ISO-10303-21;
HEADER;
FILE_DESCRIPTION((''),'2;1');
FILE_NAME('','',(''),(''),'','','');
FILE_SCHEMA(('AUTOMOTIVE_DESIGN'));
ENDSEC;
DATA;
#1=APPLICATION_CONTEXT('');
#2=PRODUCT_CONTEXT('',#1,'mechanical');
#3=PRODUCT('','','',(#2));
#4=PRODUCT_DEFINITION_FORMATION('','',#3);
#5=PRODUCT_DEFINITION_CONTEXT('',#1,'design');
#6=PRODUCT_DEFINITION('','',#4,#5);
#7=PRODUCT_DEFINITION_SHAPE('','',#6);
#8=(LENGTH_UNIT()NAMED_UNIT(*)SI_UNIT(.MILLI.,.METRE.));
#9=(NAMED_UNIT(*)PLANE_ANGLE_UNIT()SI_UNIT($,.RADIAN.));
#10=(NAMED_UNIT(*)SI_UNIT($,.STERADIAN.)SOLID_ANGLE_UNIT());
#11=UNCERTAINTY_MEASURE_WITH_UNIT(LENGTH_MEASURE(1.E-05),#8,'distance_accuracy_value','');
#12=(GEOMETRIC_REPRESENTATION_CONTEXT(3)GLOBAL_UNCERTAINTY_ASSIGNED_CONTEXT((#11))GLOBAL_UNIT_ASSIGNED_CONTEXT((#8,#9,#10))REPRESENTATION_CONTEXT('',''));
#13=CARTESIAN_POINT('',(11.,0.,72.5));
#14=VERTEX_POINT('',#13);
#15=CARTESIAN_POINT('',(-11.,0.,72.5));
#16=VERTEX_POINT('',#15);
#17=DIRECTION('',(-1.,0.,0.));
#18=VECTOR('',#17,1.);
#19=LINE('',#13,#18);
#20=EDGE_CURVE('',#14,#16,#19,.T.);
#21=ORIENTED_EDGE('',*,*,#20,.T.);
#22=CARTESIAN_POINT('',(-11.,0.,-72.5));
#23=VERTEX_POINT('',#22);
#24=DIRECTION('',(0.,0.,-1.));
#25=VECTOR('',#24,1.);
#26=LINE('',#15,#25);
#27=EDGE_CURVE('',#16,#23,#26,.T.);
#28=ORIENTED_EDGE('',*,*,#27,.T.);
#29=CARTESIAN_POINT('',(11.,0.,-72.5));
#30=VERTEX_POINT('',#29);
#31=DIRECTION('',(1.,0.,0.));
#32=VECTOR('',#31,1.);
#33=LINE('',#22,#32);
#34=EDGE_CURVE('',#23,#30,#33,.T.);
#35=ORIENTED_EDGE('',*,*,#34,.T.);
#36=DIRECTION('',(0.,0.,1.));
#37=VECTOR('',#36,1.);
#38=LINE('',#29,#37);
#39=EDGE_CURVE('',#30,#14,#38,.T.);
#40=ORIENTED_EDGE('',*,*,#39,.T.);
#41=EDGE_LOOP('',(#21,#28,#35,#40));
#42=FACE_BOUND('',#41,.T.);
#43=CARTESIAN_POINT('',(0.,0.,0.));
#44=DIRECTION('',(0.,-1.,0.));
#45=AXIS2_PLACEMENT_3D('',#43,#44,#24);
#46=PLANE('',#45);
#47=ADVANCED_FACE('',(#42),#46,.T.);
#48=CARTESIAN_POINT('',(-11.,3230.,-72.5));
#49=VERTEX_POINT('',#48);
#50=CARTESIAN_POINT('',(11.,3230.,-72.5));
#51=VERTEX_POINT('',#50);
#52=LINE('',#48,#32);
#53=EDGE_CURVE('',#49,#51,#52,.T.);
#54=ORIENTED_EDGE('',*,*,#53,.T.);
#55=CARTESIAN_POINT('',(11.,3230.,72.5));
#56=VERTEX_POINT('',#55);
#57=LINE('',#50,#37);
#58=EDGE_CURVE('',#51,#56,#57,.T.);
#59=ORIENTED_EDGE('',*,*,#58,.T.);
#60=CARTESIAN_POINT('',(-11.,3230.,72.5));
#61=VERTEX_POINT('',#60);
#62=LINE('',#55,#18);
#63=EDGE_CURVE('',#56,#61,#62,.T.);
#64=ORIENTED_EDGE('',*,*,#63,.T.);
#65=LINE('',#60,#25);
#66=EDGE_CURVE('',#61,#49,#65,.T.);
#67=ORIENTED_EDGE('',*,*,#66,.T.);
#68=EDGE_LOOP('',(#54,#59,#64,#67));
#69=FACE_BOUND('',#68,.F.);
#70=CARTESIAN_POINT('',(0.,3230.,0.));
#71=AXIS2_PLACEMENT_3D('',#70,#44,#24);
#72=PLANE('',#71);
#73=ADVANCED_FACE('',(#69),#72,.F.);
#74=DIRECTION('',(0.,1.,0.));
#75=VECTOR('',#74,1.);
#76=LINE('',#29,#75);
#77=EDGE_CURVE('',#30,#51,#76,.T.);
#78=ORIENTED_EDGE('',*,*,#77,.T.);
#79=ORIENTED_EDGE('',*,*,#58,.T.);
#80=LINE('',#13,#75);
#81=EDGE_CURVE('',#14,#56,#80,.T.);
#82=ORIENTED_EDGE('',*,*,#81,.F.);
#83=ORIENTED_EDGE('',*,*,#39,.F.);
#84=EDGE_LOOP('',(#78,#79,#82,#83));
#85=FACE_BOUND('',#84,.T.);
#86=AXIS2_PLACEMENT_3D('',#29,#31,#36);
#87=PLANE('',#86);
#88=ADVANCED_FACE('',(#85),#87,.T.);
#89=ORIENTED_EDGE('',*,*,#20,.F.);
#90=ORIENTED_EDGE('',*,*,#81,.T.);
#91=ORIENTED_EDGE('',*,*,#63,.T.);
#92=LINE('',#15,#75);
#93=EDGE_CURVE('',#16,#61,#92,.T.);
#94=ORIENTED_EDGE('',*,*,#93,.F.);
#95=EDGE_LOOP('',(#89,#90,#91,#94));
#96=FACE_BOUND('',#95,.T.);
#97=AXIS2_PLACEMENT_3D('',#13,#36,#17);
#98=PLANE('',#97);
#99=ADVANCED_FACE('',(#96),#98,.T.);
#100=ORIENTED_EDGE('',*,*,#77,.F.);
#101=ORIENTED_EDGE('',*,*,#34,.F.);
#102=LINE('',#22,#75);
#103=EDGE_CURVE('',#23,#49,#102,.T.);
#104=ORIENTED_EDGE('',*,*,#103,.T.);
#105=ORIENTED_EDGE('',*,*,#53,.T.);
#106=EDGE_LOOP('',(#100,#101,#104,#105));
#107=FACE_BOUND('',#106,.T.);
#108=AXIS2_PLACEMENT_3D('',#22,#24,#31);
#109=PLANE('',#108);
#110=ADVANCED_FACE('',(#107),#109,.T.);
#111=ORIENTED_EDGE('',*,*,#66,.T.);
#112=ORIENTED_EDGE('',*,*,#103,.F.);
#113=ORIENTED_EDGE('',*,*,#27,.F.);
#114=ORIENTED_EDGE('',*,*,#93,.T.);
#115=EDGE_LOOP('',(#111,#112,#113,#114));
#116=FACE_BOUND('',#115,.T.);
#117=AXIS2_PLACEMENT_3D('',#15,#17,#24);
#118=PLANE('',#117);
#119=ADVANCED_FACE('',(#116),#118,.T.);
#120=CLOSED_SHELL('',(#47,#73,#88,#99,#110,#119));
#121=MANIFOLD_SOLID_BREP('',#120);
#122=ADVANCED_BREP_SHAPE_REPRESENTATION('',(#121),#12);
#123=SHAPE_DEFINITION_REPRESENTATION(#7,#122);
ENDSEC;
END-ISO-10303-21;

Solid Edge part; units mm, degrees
sketch "Sketch1" plane through (0, 0, 0) normal (0, -1, 0) x (1, 0, 0)
  line L0 (-11, -72.5) -> (11, -72.5)
  line L1 (11, -72.5) -> (11, 72.5)
  line L2 (11, 72.5) -> (-11, 72.5)
  line L3 (-11, 72.5) -> (-11, -72.5)
extrude "Protrusion1" add sketch "Sketch1" against normal blind 3230
properties material "Wood, Pine"
